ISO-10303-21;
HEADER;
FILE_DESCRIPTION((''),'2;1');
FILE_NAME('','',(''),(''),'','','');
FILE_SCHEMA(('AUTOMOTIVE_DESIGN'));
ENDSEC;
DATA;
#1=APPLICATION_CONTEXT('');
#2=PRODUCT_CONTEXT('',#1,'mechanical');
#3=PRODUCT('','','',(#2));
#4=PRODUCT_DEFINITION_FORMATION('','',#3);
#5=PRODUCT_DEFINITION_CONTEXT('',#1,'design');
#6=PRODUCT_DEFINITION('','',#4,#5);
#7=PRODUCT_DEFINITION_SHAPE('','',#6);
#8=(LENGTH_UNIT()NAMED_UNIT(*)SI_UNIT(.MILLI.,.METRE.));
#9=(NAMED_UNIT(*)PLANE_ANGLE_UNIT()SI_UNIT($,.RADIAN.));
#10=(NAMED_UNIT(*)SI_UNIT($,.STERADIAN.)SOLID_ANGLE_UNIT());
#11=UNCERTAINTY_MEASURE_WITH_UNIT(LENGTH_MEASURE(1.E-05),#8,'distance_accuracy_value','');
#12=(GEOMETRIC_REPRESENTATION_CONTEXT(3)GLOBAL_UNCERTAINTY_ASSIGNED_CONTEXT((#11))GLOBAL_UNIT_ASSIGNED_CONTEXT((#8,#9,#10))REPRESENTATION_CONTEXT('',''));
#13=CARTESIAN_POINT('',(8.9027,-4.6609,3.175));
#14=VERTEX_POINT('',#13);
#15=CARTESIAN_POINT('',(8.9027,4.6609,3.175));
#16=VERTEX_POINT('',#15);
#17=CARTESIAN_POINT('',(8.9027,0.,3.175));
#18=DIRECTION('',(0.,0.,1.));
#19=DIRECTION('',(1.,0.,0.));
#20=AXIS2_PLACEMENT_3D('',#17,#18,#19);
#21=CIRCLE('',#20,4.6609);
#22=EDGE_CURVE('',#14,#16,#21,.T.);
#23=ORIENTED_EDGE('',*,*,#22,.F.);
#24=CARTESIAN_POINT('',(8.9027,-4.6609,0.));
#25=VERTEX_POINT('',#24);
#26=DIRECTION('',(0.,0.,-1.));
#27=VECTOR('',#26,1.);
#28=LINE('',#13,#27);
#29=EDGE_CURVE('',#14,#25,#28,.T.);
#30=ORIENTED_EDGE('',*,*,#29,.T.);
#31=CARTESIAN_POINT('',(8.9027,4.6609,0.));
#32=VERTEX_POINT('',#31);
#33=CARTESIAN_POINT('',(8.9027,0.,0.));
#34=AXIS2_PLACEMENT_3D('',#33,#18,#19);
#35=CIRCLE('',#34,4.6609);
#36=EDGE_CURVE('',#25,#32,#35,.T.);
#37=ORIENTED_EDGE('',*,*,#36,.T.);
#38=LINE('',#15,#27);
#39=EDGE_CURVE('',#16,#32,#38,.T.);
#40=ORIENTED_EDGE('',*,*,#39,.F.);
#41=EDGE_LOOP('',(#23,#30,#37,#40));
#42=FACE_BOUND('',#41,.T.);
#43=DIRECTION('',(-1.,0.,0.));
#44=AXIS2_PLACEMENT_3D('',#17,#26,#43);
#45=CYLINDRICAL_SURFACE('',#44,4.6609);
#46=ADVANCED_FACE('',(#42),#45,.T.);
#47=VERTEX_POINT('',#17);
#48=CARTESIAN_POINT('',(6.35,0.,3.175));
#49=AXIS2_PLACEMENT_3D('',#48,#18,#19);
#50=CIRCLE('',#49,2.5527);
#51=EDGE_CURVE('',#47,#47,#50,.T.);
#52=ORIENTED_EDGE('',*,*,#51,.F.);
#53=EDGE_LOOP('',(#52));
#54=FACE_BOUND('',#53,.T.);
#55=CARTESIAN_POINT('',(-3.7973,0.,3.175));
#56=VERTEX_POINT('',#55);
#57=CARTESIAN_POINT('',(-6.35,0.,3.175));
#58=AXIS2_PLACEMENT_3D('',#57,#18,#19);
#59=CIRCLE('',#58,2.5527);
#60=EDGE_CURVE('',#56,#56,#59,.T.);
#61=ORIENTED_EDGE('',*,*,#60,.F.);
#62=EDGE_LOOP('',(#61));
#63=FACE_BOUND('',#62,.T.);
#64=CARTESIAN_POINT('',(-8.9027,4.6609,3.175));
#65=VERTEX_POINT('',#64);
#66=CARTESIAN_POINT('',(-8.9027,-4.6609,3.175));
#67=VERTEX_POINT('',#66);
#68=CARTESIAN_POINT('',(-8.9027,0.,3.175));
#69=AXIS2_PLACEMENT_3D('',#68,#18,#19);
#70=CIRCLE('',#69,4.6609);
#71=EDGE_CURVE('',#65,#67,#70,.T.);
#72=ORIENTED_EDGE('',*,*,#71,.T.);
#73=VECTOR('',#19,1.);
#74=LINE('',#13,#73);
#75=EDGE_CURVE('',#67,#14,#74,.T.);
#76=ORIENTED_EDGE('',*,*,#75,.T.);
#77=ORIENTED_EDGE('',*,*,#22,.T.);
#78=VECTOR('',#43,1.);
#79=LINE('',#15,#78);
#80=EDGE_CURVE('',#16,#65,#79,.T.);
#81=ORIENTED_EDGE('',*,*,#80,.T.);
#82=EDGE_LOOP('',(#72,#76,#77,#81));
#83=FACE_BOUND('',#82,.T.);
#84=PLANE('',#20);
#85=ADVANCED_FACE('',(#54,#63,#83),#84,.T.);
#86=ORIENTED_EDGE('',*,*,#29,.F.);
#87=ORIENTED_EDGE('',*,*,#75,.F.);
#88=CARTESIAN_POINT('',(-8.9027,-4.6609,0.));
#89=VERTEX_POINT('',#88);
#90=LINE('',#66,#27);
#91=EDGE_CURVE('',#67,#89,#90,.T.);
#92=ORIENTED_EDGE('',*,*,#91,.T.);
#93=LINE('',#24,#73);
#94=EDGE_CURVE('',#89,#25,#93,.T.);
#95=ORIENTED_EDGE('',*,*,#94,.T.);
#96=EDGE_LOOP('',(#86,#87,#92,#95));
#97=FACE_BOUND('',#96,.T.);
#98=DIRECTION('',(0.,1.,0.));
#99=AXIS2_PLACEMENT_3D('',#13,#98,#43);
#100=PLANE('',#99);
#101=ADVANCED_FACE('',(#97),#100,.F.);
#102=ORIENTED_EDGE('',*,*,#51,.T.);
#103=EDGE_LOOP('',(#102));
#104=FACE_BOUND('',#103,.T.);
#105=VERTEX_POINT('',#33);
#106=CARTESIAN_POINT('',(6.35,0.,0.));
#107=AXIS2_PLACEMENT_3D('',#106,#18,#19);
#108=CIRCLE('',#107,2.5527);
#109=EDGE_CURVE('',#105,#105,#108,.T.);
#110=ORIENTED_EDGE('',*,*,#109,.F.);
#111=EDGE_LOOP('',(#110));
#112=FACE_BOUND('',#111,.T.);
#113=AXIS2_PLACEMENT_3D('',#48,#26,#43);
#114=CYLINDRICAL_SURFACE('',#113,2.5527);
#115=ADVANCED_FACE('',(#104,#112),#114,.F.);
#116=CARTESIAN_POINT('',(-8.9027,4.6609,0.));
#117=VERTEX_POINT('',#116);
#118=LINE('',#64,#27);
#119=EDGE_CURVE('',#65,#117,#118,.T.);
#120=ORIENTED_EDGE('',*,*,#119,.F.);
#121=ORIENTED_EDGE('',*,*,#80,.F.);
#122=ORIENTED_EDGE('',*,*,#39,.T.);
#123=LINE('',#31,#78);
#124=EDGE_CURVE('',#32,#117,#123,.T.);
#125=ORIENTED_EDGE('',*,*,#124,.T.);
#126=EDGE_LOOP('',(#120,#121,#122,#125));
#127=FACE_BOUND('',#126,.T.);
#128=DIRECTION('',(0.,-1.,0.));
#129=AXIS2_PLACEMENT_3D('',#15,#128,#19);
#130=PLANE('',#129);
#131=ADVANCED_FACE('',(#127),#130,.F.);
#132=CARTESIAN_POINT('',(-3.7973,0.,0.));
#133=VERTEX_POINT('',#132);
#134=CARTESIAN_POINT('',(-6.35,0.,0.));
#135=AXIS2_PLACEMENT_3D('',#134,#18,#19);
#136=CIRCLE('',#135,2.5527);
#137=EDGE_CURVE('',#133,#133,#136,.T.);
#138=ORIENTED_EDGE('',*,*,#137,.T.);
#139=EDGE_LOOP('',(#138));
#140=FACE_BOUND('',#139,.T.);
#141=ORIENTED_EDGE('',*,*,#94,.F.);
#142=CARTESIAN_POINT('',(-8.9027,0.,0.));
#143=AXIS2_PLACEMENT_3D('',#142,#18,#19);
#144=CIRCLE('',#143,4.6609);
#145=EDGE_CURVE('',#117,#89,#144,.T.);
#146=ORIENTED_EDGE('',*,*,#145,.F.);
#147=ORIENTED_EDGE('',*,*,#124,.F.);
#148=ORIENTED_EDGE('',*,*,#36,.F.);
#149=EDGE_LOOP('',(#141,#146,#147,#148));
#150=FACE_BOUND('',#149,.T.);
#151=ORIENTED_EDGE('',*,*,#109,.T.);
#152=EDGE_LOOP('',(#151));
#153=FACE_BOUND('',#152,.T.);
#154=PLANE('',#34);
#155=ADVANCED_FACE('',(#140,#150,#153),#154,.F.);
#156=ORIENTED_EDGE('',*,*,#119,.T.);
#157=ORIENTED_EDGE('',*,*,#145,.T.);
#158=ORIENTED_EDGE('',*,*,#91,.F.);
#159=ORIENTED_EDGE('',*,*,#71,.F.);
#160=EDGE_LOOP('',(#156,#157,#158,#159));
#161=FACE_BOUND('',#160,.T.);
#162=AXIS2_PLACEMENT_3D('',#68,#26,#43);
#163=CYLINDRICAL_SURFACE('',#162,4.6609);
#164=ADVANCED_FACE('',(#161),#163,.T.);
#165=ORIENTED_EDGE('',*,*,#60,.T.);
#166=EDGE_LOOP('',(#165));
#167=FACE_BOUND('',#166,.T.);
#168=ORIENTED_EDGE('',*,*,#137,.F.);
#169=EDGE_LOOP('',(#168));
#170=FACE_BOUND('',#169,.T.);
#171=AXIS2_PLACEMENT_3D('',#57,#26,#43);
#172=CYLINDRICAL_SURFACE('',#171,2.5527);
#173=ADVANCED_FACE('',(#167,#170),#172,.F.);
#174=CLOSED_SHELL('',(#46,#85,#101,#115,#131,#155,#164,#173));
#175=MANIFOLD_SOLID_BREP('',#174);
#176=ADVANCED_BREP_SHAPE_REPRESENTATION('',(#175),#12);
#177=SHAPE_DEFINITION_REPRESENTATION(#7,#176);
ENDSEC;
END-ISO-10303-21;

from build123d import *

# Parameters (mm, degrees)
SKETCH_1_R      = 2.5527
EXTRUDE_1_DEPTH = 3.175


with BuildPart() as part:
    # Эскиз1 → Бобышка-Вытянуть1 (new body)
    with BuildSketch(Plane.XY):
        with BuildLine():
            Line((8.9027, 4.6609), (-8.9027, 4.6609))
            ThreePointArc((-8.9027, 4.6609), (-13.5636, 0), (-8.9027, -4.6609))
            Line((-8.9027, -4.6609), (8.9027, -4.6609))
            ThreePointArc((8.9027, -4.6609), (13.5636, 0), (8.9027, 4.6609))
        make_face()
        with Locations((-6.35, 0)):
            Circle(SKETCH_1_R, mode=Mode.SUBTRACT)
        with Locations((6.35, 0)):
            Circle(SKETCH_1_R, mode=Mode.SUBTRACT)
    extrude(amount=EXTRUDE_1_DEPTH)


solid = part.part
